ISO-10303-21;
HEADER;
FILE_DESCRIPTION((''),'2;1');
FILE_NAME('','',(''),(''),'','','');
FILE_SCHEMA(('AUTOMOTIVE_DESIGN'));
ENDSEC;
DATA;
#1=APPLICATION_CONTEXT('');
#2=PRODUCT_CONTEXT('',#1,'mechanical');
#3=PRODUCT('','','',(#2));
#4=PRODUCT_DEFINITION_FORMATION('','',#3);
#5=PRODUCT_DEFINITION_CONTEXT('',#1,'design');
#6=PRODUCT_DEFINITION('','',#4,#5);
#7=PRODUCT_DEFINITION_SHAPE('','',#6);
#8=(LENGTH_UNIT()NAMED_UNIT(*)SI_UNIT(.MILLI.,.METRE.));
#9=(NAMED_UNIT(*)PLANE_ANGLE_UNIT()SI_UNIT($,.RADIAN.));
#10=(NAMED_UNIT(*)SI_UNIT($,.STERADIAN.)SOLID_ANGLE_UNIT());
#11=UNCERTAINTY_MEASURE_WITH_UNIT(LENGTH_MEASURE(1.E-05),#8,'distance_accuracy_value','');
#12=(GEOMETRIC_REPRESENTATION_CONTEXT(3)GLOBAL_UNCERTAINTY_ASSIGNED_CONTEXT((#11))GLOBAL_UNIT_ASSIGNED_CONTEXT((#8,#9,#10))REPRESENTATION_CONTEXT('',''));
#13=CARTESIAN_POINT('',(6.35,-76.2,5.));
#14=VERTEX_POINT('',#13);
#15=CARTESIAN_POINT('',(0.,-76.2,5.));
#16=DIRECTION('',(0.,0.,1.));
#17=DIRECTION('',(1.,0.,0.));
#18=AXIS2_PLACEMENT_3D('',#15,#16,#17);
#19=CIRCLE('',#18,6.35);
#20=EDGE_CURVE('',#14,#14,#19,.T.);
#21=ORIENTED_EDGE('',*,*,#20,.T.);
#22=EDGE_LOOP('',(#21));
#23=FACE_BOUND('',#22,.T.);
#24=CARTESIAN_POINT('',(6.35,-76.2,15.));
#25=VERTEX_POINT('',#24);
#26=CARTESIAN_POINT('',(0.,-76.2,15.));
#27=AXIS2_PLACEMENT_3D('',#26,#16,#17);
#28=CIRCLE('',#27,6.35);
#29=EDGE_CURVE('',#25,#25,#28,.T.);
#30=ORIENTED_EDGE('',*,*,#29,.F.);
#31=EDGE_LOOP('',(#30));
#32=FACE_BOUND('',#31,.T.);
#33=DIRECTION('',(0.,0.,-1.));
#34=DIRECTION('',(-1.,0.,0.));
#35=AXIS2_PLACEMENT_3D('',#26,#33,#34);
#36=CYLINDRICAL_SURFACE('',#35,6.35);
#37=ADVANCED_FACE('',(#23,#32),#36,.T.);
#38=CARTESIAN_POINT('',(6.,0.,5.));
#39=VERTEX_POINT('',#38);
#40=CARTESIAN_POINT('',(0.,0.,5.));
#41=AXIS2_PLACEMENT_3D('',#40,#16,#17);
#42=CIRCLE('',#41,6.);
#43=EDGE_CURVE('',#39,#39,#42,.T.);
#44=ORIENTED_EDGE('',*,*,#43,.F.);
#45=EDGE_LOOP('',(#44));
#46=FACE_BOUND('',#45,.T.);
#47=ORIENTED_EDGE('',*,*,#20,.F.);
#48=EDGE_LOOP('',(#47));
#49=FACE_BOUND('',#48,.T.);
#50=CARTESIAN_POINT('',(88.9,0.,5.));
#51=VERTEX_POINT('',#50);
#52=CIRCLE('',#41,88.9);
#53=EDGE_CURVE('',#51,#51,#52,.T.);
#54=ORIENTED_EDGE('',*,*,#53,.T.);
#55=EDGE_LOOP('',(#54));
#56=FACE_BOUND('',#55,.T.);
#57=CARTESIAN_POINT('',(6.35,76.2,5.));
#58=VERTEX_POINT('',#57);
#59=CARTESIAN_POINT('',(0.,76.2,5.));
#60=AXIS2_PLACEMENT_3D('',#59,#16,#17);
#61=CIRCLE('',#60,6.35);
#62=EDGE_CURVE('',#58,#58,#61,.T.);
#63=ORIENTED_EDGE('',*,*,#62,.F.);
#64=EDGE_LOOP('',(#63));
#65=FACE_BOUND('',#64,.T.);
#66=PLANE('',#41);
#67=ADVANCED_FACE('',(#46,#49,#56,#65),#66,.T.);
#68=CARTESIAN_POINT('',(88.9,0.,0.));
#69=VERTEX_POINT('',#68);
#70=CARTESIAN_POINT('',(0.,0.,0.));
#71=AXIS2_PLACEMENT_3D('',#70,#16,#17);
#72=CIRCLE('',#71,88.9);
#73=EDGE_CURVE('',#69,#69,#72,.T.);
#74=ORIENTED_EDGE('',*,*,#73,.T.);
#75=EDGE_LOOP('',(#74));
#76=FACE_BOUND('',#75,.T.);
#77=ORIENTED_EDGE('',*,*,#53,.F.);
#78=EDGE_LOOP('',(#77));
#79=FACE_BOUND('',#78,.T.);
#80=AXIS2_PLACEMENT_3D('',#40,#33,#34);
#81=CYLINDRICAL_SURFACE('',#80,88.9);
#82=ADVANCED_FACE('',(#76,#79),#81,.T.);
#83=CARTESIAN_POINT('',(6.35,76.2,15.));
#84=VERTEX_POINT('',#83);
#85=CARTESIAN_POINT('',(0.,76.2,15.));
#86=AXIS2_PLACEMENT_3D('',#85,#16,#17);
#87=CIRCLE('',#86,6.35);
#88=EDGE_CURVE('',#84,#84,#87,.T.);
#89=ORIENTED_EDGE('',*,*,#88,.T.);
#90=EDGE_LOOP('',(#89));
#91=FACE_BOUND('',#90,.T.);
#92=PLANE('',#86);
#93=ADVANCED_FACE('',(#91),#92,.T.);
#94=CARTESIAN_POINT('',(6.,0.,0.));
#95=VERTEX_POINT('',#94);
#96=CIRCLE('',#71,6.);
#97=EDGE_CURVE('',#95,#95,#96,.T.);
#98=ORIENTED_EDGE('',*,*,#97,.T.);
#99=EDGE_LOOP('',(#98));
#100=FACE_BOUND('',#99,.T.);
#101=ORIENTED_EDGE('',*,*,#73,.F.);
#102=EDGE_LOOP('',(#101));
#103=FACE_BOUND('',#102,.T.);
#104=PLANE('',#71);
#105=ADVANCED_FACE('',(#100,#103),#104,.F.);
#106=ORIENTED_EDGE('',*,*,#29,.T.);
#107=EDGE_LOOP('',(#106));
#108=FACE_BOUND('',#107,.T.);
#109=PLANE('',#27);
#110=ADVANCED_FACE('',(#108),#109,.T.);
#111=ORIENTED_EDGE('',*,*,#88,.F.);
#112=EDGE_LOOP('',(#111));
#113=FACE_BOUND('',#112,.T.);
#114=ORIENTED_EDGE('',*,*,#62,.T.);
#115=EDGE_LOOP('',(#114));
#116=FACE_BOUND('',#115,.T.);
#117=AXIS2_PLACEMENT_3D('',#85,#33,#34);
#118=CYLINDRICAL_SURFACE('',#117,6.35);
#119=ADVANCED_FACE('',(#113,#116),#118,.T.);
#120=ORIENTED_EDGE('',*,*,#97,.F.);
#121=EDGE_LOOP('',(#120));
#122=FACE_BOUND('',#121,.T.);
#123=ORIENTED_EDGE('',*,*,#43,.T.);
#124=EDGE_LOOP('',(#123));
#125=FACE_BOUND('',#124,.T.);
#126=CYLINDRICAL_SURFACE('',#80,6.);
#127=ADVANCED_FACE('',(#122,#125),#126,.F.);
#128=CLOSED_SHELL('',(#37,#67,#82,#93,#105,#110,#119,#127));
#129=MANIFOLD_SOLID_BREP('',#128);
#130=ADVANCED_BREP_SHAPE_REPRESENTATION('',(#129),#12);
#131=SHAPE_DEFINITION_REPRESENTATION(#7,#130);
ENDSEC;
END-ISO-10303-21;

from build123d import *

# Parameters (mm, degrees)
SKETCH1_R           = 88.9
SKETCH1_R_2         = 6
SKETCH1_R_3         = 6.35
BOSS_EXTRUDE1_DEPTH = 5
SKETCH2_R           = 6.35
BOSS_EXTRUDE2_DEPTH = 15


with BuildPart() as part:
    # Sketch1 → Boss-Extrude1 (new body)
    with BuildSketch(Plane.XY):
        Circle(SKETCH1_R)
        Circle(SKETCH1_R_2, mode=Mode.SUBTRACT)
        with Locations((0, -76.2)):
            Circle(SKETCH1_R_3, mode=Mode.SUBTRACT)
        with Locations((0, 76.2)):
            Circle(SKETCH1_R_3, mode=Mode.SUBTRACT)
    extrude(amount=BOSS_EXTRUDE1_DEPTH)

    # Sketch2 → Boss-Extrude2 (add)
    with BuildSketch(Plane.XY):
        with Locations((0, -76.2)):
            Circle(SKETCH2_R)
        with Locations((0, 76.2)):
            Circle(SKETCH2_R)
    extrude(amount=BOSS_EXTRUDE2_DEPTH)


solid = part.part
